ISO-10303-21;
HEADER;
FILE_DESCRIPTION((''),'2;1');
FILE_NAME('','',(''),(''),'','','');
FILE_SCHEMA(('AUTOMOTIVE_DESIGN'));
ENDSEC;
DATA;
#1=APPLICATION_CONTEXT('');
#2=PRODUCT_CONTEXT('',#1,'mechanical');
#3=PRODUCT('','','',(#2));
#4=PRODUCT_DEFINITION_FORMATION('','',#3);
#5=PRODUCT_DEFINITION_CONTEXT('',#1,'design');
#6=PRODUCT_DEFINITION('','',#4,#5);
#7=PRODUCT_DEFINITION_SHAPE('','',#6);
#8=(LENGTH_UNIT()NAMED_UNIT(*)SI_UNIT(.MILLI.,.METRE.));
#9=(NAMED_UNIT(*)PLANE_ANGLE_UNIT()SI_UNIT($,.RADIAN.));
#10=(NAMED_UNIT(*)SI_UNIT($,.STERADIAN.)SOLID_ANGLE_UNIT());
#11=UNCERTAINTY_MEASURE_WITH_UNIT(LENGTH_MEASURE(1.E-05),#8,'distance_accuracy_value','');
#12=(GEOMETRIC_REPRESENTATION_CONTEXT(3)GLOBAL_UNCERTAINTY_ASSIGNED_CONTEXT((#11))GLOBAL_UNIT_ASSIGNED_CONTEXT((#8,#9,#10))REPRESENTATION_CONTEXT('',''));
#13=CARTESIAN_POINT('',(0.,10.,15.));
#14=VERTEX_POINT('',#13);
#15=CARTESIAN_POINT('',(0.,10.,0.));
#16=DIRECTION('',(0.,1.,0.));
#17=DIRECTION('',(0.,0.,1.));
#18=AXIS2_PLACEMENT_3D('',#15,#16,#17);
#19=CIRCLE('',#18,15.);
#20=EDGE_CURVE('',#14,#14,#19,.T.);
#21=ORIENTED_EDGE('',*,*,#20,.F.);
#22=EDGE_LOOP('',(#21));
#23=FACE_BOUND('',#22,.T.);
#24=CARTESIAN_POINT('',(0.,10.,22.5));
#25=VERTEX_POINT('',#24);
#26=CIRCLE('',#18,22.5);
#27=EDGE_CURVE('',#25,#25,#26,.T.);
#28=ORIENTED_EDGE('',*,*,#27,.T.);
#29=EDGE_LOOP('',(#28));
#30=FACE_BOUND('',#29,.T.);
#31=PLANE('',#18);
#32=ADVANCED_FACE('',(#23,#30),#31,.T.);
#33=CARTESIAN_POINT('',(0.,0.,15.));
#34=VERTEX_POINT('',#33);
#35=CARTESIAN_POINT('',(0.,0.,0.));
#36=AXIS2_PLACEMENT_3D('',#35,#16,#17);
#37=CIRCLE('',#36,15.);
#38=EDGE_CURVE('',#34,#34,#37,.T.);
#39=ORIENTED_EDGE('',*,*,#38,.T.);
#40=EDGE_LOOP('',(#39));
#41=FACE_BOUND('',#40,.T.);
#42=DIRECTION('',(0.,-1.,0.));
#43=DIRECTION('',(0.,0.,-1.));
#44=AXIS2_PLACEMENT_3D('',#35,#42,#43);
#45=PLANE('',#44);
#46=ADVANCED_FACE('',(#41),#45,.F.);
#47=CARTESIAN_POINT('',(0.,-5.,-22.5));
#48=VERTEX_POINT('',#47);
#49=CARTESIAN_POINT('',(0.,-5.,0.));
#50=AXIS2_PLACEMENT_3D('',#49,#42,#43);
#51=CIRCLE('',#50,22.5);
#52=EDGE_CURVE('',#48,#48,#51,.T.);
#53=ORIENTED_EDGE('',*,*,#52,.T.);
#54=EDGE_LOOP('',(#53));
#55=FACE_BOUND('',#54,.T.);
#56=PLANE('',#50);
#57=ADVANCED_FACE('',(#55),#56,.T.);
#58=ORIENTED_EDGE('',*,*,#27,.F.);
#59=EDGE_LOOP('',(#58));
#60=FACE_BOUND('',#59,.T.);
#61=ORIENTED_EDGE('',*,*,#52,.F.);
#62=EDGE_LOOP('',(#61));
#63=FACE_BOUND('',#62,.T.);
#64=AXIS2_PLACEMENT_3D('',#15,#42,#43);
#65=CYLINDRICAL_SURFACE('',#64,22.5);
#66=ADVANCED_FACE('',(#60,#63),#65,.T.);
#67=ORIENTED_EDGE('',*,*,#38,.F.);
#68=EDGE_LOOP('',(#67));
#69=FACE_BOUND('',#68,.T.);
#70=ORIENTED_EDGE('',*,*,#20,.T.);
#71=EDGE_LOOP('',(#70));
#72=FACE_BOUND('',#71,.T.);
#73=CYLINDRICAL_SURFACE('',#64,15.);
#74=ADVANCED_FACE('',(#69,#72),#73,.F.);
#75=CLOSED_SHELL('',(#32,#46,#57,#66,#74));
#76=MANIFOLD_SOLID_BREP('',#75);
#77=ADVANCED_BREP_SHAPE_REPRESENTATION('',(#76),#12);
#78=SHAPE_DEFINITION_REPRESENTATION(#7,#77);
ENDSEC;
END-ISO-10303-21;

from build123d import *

# Parameters (mm, degrees)
SKETCH1_R           = 22.5
SKETCH1_R_2         = 15
BOSS_EXTRUDE1_DEPTH = 10
SKETCH2_R           = 22.5
BOSS_EXTRUDE2_DEPTH = 5


with BuildPart() as part:
    # Sketch1 → Boss-Extrude1 (new body)
    with BuildSketch(Plane(origin=(0, 0, 0), x_dir=(1, 0, 0), z_dir=(0, 1, 0))):
        Circle(SKETCH1_R)
        Circle(SKETCH1_R_2, mode=Mode.SUBTRACT)
    extrude(amount=BOSS_EXTRUDE1_DEPTH)

    # Sketch2 → Boss-Extrude2 (add)
    with BuildSketch(Plane.XZ):
        Circle(SKETCH2_R)
    extrude(amount=BOSS_EXTRUDE2_DEPTH)


solid = part.part
